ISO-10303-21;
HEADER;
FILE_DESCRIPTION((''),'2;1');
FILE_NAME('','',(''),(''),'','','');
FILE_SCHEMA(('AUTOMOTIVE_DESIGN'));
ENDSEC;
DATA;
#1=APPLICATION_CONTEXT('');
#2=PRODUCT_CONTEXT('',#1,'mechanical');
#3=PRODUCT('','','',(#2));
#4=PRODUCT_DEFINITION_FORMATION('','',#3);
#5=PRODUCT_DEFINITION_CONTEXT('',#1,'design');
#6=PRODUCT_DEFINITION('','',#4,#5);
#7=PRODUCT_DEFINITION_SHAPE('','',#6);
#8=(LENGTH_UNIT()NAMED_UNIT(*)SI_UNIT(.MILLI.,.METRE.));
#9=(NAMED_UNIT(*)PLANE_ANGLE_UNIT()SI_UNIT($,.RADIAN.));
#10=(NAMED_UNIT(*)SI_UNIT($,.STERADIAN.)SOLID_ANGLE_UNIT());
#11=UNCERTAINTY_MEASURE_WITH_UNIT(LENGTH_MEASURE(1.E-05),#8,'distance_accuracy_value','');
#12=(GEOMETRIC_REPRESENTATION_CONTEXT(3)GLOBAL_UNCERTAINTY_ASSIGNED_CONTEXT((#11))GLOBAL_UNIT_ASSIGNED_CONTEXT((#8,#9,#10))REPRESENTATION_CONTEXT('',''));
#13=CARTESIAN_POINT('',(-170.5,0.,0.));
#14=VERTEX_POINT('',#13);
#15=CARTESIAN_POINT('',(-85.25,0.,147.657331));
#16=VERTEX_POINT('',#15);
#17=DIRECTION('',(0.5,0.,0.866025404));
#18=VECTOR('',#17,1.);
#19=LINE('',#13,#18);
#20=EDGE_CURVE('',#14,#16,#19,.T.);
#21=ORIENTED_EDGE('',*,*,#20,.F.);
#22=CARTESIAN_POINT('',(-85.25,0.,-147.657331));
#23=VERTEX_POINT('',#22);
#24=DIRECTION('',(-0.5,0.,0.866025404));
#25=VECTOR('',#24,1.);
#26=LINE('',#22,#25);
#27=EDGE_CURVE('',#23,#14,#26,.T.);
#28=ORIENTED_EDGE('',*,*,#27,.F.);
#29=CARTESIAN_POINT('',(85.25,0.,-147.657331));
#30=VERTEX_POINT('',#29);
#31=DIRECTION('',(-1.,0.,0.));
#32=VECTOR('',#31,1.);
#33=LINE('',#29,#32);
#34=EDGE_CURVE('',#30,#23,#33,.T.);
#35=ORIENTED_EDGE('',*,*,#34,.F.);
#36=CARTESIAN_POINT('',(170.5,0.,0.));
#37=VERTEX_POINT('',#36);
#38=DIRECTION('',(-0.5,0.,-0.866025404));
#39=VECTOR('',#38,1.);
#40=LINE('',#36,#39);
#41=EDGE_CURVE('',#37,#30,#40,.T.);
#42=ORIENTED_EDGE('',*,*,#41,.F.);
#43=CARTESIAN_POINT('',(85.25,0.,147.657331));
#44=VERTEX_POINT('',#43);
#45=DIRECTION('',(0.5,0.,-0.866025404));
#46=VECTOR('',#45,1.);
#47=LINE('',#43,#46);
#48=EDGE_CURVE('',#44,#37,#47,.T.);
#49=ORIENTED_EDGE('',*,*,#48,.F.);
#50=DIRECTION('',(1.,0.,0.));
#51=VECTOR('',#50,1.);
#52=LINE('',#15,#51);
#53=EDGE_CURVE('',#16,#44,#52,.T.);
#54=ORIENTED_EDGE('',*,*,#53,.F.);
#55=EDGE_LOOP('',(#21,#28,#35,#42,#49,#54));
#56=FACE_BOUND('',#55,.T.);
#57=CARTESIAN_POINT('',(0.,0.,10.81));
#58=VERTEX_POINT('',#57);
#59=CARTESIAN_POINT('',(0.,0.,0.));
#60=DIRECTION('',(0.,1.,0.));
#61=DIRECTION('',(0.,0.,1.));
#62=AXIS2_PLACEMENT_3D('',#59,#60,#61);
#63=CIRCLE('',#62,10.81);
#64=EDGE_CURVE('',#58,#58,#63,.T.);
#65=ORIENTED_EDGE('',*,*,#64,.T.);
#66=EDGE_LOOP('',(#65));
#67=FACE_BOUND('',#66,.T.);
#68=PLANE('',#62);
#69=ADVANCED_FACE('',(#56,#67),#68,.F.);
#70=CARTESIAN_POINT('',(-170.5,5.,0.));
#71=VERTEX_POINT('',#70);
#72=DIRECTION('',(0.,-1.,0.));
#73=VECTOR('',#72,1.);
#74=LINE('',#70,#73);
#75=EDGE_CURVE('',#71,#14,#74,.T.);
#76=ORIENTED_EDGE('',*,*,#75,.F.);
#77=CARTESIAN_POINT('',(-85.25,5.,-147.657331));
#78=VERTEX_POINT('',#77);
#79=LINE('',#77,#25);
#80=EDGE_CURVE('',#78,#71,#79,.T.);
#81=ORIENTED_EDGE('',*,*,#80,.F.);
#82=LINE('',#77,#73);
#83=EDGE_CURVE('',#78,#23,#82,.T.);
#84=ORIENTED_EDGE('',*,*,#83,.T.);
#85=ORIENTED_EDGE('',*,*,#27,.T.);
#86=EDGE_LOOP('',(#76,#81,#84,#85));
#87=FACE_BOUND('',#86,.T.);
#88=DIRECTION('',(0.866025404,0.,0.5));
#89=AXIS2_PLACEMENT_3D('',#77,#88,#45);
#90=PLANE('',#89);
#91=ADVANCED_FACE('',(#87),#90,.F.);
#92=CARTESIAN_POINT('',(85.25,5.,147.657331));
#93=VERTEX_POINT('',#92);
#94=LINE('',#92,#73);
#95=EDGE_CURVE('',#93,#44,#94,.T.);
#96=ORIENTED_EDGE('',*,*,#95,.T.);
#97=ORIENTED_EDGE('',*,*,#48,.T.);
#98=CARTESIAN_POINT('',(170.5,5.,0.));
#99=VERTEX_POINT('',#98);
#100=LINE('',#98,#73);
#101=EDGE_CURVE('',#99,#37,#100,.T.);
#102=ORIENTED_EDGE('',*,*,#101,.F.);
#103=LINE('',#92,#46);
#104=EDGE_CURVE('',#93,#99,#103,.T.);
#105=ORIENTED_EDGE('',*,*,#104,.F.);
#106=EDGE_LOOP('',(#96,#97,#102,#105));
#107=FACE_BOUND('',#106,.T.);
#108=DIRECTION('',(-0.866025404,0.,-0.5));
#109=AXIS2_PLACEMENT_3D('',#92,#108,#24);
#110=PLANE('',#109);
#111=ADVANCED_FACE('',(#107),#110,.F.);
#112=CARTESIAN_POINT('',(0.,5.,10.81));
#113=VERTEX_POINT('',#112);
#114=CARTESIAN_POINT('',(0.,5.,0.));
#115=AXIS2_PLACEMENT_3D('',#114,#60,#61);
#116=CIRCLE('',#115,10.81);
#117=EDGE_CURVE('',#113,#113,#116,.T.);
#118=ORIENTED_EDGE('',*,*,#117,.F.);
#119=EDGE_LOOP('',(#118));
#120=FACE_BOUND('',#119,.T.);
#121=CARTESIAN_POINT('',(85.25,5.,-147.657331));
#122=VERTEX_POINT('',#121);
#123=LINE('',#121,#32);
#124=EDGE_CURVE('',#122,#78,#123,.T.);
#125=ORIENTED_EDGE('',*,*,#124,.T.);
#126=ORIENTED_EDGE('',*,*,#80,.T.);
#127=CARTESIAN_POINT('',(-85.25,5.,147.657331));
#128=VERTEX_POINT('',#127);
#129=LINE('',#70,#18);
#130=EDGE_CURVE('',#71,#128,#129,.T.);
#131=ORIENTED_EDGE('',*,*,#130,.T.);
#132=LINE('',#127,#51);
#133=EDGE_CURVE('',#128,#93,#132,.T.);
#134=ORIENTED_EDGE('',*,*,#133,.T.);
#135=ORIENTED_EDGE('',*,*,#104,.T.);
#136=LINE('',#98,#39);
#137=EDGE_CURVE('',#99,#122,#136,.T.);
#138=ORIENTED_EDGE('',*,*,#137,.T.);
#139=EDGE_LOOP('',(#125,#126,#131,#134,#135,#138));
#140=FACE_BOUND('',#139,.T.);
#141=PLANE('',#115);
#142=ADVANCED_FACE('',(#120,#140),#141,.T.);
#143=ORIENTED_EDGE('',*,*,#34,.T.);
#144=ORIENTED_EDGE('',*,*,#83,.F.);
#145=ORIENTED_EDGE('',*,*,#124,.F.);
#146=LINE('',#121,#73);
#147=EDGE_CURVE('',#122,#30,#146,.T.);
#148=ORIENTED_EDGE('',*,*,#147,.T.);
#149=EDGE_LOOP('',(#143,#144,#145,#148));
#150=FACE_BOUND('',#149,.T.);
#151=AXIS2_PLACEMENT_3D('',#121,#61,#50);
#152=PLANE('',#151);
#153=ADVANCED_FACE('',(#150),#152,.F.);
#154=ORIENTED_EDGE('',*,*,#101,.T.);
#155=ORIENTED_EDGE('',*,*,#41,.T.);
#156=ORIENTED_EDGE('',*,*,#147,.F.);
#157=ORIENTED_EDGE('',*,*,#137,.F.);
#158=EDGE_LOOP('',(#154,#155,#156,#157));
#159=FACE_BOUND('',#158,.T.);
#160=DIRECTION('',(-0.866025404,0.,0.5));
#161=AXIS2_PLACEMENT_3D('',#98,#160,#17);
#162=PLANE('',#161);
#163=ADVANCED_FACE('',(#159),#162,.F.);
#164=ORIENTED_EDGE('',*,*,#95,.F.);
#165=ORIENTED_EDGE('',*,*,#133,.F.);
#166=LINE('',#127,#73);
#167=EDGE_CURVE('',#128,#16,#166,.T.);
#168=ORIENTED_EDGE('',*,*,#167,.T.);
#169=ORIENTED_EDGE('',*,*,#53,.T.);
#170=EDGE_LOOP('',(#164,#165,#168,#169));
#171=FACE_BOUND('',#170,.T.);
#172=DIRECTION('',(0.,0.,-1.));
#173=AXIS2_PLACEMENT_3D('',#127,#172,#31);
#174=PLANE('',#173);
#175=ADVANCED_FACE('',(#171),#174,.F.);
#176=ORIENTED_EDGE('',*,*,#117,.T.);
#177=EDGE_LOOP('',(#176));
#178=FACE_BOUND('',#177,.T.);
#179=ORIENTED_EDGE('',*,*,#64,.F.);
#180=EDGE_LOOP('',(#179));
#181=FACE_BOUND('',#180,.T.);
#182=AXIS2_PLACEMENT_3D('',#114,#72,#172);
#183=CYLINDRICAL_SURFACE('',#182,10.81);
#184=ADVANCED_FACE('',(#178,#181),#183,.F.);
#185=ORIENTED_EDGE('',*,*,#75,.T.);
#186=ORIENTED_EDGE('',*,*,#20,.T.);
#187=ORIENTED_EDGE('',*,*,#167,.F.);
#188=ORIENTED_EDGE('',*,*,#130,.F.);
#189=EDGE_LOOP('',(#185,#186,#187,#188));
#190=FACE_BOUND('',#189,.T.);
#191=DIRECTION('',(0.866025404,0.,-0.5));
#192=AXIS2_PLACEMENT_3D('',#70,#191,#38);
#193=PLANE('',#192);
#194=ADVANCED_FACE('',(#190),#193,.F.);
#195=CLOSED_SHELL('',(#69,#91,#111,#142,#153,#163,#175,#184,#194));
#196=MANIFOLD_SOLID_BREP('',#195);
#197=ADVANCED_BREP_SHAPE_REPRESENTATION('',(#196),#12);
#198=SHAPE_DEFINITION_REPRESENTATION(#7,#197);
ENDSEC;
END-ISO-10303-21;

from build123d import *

# Parameters (mm, degrees)
SKETCH1_R           = 10.81
BOSS_EXTRUDE1_DEPTH = 5


with BuildPart() as part:
    # Sketch1 → Boss-Extrude1 (new body)
    with BuildSketch(Plane(origin=(0, 0, 0), x_dir=(1, 0, 0), z_dir=(0, 1, 0))):
        Polygon((85.25, -147.657331345), (170.5, 0), (85.25, 147.657331345), (-85.25, 147.657331345), (-170.5, 0), (-85.25, -147.657331345), align=None)
        with Locations(Location((0, 0, 0), (0, 0, 270))):
            Circle(SKETCH1_R, mode=Mode.SUBTRACT)
    extrude(amount=BOSS_EXTRUDE1_DEPTH)


solid = part.part
